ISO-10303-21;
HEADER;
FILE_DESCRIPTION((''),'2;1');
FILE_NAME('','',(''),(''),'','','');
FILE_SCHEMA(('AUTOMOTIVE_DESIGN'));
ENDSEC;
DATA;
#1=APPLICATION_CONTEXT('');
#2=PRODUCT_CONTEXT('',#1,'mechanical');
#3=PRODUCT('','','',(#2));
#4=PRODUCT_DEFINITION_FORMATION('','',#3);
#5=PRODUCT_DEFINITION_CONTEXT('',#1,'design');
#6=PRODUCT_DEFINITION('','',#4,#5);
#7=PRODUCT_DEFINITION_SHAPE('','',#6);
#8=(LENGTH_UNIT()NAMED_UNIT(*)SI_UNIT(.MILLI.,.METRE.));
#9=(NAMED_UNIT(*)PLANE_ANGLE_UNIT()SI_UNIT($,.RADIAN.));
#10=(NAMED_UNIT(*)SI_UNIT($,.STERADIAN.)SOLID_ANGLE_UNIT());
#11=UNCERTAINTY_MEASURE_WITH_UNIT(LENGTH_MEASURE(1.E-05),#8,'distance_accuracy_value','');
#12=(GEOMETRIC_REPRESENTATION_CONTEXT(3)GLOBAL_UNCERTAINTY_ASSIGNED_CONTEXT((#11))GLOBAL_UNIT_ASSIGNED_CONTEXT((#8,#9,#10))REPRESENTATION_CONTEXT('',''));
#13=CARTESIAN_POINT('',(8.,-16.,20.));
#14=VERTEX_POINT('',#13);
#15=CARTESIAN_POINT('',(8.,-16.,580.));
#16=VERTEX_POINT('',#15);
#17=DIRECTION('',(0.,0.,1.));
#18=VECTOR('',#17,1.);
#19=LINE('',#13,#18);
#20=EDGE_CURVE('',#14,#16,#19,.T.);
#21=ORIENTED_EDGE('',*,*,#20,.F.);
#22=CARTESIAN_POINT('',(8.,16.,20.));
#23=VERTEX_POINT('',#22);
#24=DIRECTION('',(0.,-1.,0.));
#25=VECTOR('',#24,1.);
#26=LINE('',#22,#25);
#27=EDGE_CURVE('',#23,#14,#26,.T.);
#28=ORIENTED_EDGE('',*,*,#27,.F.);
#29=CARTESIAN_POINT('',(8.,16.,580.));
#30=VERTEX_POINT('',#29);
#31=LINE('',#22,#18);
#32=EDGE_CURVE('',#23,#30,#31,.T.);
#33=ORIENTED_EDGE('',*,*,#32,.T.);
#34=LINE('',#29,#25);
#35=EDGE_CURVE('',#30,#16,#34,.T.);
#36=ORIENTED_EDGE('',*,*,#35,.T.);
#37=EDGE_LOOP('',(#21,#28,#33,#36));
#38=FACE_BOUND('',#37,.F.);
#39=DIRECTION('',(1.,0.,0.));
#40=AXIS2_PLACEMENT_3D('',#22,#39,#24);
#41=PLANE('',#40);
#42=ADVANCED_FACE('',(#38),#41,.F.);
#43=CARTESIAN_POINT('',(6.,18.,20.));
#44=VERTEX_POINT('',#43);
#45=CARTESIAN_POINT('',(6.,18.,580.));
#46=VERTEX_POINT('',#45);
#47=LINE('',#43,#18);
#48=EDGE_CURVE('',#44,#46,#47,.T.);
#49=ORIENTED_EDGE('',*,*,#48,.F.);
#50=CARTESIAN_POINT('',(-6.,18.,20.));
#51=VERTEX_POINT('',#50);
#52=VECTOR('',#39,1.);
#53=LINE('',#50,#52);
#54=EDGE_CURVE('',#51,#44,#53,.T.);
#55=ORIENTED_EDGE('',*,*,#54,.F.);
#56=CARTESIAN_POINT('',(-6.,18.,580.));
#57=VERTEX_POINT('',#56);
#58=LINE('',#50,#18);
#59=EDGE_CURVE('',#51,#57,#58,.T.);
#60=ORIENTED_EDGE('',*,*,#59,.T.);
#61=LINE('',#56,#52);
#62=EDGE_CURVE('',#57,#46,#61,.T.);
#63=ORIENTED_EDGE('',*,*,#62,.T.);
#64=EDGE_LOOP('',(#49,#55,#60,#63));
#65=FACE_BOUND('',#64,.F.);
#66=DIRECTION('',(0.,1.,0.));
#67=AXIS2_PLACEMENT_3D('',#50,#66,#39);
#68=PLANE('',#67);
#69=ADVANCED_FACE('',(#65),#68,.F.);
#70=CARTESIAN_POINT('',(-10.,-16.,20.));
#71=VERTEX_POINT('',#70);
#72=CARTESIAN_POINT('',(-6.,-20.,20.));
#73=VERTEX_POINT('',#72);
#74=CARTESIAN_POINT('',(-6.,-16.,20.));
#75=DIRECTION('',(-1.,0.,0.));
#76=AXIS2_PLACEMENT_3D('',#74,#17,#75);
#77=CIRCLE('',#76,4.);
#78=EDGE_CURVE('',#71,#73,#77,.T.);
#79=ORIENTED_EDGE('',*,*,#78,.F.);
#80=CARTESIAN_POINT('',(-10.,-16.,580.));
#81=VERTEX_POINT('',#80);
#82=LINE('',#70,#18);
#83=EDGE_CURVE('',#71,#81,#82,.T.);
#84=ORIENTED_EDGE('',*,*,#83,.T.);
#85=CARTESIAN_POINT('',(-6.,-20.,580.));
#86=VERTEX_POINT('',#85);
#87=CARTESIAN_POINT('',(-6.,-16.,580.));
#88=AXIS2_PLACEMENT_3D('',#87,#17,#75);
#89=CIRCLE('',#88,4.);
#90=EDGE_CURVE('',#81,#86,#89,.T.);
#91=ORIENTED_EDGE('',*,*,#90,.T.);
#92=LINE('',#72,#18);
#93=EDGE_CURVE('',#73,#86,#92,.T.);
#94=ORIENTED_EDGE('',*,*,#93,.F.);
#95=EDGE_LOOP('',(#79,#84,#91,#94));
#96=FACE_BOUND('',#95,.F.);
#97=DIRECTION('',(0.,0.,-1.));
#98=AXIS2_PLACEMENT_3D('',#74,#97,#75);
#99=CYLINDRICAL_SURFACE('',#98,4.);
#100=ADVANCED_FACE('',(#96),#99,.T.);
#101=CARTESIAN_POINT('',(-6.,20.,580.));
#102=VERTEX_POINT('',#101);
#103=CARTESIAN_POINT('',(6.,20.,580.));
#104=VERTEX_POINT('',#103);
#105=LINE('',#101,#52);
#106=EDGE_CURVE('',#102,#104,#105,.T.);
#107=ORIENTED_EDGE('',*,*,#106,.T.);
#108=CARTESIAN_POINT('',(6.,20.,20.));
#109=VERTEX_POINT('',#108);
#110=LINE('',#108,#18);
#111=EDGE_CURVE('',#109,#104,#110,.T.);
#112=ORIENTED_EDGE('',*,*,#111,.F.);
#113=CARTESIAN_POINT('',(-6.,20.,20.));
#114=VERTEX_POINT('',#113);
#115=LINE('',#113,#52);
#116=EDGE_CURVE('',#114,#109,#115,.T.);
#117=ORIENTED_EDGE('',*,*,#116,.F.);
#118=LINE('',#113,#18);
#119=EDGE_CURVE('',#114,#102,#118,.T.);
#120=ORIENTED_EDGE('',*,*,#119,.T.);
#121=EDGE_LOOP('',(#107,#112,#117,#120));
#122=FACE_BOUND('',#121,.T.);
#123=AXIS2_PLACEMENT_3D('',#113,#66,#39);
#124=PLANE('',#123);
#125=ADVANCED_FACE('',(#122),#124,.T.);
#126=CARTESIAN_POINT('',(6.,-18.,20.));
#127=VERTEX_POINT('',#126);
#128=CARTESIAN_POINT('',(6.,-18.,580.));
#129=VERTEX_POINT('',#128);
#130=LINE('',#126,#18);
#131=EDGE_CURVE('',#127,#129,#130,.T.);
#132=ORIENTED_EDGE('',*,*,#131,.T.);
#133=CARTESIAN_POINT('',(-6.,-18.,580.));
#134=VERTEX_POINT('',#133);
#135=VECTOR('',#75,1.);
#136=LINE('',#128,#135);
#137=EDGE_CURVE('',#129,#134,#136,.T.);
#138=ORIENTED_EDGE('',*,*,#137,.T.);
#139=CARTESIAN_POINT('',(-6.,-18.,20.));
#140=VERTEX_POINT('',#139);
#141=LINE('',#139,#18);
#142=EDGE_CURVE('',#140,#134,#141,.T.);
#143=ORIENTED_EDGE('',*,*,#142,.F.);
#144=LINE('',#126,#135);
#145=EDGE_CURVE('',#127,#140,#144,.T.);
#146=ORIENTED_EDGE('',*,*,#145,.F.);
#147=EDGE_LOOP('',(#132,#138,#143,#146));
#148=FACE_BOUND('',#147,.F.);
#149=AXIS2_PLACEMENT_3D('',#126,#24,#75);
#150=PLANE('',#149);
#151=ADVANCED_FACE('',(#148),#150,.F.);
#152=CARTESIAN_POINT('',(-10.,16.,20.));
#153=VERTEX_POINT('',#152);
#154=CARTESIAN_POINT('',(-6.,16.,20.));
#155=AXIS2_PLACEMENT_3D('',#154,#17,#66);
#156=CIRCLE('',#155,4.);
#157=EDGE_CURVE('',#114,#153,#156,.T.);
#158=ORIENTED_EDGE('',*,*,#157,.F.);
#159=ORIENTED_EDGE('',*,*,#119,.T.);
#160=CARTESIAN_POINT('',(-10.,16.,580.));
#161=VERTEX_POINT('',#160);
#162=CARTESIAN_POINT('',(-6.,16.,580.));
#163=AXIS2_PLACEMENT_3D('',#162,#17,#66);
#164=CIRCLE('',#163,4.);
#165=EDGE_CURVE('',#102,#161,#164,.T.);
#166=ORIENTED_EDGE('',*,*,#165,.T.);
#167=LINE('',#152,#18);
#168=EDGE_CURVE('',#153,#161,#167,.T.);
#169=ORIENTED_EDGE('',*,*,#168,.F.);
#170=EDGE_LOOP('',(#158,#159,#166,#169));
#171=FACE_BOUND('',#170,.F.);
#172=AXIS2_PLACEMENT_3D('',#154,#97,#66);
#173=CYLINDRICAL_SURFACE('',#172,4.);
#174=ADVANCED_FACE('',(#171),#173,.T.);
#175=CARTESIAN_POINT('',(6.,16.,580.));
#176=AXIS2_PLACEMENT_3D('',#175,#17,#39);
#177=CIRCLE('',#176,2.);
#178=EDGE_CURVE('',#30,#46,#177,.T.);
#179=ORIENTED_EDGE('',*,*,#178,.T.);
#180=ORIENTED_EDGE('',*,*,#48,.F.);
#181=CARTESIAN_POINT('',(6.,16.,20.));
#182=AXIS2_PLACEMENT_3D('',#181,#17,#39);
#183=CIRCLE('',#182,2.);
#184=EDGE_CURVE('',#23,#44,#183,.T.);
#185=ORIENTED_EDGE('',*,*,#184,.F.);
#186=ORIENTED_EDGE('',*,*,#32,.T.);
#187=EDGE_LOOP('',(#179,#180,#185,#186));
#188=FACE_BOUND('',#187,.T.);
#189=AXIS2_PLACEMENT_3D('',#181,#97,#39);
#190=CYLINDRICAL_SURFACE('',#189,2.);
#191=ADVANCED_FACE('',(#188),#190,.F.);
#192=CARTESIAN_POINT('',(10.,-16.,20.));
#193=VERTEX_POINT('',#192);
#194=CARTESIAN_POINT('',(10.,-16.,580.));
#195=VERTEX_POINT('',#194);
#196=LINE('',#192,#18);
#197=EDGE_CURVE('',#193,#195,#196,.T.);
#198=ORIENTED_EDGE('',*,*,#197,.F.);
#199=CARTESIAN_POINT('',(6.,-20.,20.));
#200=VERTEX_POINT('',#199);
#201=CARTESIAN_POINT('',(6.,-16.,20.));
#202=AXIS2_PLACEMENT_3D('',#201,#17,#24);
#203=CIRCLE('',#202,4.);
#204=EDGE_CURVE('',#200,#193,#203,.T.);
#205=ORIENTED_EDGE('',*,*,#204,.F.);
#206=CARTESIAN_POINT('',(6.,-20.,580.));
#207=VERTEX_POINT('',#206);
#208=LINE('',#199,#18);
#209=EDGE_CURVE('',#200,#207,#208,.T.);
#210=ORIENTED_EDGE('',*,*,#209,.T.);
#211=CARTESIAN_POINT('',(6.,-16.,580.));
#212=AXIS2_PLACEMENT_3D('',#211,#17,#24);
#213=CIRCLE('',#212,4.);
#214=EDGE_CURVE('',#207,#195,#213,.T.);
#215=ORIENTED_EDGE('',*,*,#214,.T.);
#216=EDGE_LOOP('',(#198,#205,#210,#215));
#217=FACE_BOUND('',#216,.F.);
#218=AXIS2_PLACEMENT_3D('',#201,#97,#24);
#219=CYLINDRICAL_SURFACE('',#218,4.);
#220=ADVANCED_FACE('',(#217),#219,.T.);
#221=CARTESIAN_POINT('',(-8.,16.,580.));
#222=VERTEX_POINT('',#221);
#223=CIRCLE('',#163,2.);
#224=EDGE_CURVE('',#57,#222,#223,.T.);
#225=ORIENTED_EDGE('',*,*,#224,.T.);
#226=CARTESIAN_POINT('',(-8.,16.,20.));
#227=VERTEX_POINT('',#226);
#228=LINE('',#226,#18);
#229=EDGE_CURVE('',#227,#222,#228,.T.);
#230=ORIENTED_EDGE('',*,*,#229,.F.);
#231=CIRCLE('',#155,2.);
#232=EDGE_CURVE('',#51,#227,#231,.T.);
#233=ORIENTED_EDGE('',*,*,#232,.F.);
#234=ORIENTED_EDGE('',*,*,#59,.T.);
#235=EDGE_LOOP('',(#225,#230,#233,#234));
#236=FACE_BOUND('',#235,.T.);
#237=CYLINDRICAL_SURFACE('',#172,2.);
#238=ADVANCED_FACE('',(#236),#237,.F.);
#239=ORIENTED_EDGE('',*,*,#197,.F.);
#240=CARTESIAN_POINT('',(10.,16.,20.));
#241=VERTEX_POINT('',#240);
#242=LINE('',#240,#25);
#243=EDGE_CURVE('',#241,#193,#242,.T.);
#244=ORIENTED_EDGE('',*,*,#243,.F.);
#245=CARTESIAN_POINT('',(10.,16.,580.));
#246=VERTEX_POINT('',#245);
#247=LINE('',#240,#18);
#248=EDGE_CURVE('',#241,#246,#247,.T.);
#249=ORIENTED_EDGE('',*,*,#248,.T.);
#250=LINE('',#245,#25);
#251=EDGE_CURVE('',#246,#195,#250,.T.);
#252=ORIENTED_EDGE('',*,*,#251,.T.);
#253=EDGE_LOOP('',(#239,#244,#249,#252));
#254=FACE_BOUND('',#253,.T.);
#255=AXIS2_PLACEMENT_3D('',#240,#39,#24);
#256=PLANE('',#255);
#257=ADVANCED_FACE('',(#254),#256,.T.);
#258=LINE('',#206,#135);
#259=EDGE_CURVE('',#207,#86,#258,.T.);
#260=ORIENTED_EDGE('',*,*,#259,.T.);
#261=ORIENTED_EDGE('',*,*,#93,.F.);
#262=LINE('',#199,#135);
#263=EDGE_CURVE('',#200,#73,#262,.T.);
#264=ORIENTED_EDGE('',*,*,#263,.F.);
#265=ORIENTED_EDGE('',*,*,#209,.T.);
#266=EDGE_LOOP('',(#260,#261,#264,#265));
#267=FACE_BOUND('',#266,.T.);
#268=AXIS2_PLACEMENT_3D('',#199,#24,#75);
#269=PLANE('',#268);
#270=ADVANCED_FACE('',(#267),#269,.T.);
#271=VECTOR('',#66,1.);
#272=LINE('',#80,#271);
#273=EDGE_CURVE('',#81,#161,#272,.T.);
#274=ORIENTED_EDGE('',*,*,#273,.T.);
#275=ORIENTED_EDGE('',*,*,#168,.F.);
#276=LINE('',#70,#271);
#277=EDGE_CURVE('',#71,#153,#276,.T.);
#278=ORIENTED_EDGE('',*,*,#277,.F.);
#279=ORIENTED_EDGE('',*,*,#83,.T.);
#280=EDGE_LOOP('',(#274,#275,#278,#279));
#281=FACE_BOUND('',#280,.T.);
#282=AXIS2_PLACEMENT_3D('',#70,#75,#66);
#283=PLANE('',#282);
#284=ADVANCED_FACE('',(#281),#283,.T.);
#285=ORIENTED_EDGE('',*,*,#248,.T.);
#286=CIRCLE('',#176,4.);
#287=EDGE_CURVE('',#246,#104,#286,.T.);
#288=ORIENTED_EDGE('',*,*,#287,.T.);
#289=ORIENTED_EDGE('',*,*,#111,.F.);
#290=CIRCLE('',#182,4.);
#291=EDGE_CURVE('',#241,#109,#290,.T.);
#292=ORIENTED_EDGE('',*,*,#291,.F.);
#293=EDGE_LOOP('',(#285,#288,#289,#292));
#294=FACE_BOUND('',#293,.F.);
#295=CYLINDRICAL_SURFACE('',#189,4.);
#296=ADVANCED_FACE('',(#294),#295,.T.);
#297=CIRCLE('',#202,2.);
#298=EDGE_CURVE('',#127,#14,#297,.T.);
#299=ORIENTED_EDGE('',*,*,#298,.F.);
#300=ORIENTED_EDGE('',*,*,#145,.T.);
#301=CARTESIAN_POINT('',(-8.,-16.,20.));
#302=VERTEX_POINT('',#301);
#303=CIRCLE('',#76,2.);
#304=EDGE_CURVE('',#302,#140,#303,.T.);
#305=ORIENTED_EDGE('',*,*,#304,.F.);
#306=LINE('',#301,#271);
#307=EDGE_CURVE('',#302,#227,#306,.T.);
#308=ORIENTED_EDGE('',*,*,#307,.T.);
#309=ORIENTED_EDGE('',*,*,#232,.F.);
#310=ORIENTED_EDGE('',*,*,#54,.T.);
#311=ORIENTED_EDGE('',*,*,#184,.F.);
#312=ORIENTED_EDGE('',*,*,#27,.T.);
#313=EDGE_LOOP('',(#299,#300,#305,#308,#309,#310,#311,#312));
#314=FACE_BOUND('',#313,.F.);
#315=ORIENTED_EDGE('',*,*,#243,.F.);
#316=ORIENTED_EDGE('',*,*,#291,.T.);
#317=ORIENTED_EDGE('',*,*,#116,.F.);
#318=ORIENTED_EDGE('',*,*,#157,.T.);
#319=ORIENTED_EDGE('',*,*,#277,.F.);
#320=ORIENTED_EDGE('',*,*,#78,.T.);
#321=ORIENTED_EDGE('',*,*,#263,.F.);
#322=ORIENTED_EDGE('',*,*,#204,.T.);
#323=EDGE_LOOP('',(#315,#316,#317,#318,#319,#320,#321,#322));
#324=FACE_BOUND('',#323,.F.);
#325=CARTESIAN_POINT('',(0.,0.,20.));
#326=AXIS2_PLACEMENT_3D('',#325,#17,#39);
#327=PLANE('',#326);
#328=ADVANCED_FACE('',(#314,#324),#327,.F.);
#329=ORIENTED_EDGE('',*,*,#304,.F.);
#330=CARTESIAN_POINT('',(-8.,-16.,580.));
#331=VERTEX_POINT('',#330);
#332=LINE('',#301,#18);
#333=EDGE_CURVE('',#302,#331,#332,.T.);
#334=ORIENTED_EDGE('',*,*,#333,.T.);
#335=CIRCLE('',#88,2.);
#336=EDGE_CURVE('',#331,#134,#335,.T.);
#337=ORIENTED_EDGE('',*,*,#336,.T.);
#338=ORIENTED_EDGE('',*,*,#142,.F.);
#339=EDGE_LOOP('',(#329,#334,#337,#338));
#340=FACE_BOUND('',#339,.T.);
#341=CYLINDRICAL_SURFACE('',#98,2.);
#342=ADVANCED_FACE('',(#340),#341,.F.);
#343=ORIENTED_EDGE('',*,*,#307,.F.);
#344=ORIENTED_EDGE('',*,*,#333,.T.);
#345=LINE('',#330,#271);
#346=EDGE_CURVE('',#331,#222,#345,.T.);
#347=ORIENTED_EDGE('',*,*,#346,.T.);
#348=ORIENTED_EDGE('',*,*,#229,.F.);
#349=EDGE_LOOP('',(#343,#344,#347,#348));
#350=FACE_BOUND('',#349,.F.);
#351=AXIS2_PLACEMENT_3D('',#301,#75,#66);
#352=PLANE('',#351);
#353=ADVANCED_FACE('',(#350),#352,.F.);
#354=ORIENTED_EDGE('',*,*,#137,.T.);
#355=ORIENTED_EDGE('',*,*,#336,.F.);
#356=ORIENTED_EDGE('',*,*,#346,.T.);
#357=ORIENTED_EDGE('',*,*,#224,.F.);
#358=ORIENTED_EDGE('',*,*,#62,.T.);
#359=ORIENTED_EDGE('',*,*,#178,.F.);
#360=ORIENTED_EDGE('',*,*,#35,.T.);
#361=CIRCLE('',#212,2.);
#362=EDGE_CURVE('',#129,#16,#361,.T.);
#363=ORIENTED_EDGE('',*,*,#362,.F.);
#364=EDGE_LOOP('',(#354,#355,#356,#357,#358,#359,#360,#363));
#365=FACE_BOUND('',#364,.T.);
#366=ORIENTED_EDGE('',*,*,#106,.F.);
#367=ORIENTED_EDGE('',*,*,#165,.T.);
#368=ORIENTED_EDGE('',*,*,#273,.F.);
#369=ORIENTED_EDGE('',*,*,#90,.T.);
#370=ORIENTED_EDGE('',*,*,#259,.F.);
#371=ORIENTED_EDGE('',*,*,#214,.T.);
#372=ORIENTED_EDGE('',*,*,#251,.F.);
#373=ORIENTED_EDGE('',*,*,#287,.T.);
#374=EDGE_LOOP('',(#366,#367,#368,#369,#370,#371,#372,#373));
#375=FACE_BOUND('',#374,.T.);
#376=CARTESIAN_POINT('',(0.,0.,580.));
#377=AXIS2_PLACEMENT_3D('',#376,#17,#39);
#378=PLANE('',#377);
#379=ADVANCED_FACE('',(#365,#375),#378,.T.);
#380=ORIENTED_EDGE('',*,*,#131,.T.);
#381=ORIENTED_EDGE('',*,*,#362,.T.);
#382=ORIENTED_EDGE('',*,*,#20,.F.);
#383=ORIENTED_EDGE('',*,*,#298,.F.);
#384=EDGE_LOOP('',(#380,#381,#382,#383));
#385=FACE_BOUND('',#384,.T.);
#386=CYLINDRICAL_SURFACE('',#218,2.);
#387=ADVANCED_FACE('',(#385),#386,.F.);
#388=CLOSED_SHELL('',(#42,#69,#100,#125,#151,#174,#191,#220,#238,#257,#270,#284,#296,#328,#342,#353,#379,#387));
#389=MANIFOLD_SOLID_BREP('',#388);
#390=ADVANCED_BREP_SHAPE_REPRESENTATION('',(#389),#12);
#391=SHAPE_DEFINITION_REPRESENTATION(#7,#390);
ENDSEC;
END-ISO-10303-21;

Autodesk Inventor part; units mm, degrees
ref_plane "Start Plane" through (0, 0, 20) normal (0, 0, 1) x (1, 0, 0)
ref_plane "End Plane" through (0, 0, 580) normal (0, 0, 1) x (1, 0, 0)
sketch "Sketch" plane through (0, 0, 0) normal (0, 0, 1) x (1, 0, 0)
  line L0 (-10, -16) -> (-10, 16)
  line L1 (-6, 20) -> (6, 20)
  line L2 (10, 16) -> (10, -16)
  line L3 (6, -20) -> (-6, -20)
  arc A0 (-10, -16) -> (-6, -20) centre (-6, -16) ccw
  arc A1 (10, 16) -> (6, 20) centre (6, 16) ccw
  arc A2 (-6, 20) -> (-10, 16) centre (-6, 16) ccw
  arc A3 (6, -20) -> (10, -16) centre (6, -16) ccw
  arc A4 (-6, 18) -> (-8, 16) centre (-6, 16) ccw
  line L4 (-6, 18) -> (6, 18)
  arc A5 (8, 16) -> (6, 18) centre (6, 16) ccw
  line L5 (8, 16) -> (8, -16)
  arc A6 (6, -18) -> (8, -16) centre (6, -16) ccw
  line L6 (6, -18) -> (-6, -18)
  arc A7 (-8, -16) -> (-6, -18) centre (-6, -16) ccw
  line L7 (-8, -16) -> (-8, 16)
  line L8 (0, 29.1598) -> (0, -29.1598) construction
  line L9 (-15.1598, 0) -> (15.1598, 0) construction
  dimension "d7" = 4
  dimension "d9" = 20
  dimension "d11" = 40
  dimension "d12" = 2
  dimension "d15" = 10
  dimension "d16" = 20
extrude "Body" add sketch "Sketch" along normal up to surface (560 mm away) from surface at 20
sketch "Sketch3" plane through (0, 0, 0) normal (0, 0, 1) x (1, 0, 0)
  line L0 (0, 0) -> (10, 0)
ref_plane "Work Plane3" through (0, 0, 0) normal (0, -1, 0) x (1, 0, 0)
ref_plane "Work Plane4" through (-10, 276, 580) normal (0, 0, 1) x (1, 0, 0)
split "Split1" plane through (-10, 276, 580) removes the side toward (0, 0, 1)
ref_plane "Work Plane5" through (-10, 244, 20) normal (0, 0, -1) x (-1, 0, 0)
split "Split2" plane through (-10, 244, 20) removes the side toward (0, 0, -1)
sketch "Sketch4" plane through (0, 0, 0) normal (0, -1, 0) x (1, 0, 0)
  line L0 (-2, 20) -> (12, 20) projected
  line L1 (-2, 580) -> (12, 580) projected
  dimension "d18" = 560
equation "\"d7\" = G_IR"
equation "\"d9\" = G_W"
equation "\"d11\" = G_H"
equation "\"d12\" = G_T"
equation "\"d15\" = 0.5 * d9"
equation "\"d16\" = 0.5 * d11"
equation "\"d3\" = G_L"
equation "\"G_W\" = 20"
equation "\"G_H\" = 40"
equation "\"G_T\" = 2"
equation "\"G_IR\" = 4"
equation "\"G_L\" = d18"
properties part number "ISO 10799-2 - 40x20x2 - 560" material "Steel, Mild"
